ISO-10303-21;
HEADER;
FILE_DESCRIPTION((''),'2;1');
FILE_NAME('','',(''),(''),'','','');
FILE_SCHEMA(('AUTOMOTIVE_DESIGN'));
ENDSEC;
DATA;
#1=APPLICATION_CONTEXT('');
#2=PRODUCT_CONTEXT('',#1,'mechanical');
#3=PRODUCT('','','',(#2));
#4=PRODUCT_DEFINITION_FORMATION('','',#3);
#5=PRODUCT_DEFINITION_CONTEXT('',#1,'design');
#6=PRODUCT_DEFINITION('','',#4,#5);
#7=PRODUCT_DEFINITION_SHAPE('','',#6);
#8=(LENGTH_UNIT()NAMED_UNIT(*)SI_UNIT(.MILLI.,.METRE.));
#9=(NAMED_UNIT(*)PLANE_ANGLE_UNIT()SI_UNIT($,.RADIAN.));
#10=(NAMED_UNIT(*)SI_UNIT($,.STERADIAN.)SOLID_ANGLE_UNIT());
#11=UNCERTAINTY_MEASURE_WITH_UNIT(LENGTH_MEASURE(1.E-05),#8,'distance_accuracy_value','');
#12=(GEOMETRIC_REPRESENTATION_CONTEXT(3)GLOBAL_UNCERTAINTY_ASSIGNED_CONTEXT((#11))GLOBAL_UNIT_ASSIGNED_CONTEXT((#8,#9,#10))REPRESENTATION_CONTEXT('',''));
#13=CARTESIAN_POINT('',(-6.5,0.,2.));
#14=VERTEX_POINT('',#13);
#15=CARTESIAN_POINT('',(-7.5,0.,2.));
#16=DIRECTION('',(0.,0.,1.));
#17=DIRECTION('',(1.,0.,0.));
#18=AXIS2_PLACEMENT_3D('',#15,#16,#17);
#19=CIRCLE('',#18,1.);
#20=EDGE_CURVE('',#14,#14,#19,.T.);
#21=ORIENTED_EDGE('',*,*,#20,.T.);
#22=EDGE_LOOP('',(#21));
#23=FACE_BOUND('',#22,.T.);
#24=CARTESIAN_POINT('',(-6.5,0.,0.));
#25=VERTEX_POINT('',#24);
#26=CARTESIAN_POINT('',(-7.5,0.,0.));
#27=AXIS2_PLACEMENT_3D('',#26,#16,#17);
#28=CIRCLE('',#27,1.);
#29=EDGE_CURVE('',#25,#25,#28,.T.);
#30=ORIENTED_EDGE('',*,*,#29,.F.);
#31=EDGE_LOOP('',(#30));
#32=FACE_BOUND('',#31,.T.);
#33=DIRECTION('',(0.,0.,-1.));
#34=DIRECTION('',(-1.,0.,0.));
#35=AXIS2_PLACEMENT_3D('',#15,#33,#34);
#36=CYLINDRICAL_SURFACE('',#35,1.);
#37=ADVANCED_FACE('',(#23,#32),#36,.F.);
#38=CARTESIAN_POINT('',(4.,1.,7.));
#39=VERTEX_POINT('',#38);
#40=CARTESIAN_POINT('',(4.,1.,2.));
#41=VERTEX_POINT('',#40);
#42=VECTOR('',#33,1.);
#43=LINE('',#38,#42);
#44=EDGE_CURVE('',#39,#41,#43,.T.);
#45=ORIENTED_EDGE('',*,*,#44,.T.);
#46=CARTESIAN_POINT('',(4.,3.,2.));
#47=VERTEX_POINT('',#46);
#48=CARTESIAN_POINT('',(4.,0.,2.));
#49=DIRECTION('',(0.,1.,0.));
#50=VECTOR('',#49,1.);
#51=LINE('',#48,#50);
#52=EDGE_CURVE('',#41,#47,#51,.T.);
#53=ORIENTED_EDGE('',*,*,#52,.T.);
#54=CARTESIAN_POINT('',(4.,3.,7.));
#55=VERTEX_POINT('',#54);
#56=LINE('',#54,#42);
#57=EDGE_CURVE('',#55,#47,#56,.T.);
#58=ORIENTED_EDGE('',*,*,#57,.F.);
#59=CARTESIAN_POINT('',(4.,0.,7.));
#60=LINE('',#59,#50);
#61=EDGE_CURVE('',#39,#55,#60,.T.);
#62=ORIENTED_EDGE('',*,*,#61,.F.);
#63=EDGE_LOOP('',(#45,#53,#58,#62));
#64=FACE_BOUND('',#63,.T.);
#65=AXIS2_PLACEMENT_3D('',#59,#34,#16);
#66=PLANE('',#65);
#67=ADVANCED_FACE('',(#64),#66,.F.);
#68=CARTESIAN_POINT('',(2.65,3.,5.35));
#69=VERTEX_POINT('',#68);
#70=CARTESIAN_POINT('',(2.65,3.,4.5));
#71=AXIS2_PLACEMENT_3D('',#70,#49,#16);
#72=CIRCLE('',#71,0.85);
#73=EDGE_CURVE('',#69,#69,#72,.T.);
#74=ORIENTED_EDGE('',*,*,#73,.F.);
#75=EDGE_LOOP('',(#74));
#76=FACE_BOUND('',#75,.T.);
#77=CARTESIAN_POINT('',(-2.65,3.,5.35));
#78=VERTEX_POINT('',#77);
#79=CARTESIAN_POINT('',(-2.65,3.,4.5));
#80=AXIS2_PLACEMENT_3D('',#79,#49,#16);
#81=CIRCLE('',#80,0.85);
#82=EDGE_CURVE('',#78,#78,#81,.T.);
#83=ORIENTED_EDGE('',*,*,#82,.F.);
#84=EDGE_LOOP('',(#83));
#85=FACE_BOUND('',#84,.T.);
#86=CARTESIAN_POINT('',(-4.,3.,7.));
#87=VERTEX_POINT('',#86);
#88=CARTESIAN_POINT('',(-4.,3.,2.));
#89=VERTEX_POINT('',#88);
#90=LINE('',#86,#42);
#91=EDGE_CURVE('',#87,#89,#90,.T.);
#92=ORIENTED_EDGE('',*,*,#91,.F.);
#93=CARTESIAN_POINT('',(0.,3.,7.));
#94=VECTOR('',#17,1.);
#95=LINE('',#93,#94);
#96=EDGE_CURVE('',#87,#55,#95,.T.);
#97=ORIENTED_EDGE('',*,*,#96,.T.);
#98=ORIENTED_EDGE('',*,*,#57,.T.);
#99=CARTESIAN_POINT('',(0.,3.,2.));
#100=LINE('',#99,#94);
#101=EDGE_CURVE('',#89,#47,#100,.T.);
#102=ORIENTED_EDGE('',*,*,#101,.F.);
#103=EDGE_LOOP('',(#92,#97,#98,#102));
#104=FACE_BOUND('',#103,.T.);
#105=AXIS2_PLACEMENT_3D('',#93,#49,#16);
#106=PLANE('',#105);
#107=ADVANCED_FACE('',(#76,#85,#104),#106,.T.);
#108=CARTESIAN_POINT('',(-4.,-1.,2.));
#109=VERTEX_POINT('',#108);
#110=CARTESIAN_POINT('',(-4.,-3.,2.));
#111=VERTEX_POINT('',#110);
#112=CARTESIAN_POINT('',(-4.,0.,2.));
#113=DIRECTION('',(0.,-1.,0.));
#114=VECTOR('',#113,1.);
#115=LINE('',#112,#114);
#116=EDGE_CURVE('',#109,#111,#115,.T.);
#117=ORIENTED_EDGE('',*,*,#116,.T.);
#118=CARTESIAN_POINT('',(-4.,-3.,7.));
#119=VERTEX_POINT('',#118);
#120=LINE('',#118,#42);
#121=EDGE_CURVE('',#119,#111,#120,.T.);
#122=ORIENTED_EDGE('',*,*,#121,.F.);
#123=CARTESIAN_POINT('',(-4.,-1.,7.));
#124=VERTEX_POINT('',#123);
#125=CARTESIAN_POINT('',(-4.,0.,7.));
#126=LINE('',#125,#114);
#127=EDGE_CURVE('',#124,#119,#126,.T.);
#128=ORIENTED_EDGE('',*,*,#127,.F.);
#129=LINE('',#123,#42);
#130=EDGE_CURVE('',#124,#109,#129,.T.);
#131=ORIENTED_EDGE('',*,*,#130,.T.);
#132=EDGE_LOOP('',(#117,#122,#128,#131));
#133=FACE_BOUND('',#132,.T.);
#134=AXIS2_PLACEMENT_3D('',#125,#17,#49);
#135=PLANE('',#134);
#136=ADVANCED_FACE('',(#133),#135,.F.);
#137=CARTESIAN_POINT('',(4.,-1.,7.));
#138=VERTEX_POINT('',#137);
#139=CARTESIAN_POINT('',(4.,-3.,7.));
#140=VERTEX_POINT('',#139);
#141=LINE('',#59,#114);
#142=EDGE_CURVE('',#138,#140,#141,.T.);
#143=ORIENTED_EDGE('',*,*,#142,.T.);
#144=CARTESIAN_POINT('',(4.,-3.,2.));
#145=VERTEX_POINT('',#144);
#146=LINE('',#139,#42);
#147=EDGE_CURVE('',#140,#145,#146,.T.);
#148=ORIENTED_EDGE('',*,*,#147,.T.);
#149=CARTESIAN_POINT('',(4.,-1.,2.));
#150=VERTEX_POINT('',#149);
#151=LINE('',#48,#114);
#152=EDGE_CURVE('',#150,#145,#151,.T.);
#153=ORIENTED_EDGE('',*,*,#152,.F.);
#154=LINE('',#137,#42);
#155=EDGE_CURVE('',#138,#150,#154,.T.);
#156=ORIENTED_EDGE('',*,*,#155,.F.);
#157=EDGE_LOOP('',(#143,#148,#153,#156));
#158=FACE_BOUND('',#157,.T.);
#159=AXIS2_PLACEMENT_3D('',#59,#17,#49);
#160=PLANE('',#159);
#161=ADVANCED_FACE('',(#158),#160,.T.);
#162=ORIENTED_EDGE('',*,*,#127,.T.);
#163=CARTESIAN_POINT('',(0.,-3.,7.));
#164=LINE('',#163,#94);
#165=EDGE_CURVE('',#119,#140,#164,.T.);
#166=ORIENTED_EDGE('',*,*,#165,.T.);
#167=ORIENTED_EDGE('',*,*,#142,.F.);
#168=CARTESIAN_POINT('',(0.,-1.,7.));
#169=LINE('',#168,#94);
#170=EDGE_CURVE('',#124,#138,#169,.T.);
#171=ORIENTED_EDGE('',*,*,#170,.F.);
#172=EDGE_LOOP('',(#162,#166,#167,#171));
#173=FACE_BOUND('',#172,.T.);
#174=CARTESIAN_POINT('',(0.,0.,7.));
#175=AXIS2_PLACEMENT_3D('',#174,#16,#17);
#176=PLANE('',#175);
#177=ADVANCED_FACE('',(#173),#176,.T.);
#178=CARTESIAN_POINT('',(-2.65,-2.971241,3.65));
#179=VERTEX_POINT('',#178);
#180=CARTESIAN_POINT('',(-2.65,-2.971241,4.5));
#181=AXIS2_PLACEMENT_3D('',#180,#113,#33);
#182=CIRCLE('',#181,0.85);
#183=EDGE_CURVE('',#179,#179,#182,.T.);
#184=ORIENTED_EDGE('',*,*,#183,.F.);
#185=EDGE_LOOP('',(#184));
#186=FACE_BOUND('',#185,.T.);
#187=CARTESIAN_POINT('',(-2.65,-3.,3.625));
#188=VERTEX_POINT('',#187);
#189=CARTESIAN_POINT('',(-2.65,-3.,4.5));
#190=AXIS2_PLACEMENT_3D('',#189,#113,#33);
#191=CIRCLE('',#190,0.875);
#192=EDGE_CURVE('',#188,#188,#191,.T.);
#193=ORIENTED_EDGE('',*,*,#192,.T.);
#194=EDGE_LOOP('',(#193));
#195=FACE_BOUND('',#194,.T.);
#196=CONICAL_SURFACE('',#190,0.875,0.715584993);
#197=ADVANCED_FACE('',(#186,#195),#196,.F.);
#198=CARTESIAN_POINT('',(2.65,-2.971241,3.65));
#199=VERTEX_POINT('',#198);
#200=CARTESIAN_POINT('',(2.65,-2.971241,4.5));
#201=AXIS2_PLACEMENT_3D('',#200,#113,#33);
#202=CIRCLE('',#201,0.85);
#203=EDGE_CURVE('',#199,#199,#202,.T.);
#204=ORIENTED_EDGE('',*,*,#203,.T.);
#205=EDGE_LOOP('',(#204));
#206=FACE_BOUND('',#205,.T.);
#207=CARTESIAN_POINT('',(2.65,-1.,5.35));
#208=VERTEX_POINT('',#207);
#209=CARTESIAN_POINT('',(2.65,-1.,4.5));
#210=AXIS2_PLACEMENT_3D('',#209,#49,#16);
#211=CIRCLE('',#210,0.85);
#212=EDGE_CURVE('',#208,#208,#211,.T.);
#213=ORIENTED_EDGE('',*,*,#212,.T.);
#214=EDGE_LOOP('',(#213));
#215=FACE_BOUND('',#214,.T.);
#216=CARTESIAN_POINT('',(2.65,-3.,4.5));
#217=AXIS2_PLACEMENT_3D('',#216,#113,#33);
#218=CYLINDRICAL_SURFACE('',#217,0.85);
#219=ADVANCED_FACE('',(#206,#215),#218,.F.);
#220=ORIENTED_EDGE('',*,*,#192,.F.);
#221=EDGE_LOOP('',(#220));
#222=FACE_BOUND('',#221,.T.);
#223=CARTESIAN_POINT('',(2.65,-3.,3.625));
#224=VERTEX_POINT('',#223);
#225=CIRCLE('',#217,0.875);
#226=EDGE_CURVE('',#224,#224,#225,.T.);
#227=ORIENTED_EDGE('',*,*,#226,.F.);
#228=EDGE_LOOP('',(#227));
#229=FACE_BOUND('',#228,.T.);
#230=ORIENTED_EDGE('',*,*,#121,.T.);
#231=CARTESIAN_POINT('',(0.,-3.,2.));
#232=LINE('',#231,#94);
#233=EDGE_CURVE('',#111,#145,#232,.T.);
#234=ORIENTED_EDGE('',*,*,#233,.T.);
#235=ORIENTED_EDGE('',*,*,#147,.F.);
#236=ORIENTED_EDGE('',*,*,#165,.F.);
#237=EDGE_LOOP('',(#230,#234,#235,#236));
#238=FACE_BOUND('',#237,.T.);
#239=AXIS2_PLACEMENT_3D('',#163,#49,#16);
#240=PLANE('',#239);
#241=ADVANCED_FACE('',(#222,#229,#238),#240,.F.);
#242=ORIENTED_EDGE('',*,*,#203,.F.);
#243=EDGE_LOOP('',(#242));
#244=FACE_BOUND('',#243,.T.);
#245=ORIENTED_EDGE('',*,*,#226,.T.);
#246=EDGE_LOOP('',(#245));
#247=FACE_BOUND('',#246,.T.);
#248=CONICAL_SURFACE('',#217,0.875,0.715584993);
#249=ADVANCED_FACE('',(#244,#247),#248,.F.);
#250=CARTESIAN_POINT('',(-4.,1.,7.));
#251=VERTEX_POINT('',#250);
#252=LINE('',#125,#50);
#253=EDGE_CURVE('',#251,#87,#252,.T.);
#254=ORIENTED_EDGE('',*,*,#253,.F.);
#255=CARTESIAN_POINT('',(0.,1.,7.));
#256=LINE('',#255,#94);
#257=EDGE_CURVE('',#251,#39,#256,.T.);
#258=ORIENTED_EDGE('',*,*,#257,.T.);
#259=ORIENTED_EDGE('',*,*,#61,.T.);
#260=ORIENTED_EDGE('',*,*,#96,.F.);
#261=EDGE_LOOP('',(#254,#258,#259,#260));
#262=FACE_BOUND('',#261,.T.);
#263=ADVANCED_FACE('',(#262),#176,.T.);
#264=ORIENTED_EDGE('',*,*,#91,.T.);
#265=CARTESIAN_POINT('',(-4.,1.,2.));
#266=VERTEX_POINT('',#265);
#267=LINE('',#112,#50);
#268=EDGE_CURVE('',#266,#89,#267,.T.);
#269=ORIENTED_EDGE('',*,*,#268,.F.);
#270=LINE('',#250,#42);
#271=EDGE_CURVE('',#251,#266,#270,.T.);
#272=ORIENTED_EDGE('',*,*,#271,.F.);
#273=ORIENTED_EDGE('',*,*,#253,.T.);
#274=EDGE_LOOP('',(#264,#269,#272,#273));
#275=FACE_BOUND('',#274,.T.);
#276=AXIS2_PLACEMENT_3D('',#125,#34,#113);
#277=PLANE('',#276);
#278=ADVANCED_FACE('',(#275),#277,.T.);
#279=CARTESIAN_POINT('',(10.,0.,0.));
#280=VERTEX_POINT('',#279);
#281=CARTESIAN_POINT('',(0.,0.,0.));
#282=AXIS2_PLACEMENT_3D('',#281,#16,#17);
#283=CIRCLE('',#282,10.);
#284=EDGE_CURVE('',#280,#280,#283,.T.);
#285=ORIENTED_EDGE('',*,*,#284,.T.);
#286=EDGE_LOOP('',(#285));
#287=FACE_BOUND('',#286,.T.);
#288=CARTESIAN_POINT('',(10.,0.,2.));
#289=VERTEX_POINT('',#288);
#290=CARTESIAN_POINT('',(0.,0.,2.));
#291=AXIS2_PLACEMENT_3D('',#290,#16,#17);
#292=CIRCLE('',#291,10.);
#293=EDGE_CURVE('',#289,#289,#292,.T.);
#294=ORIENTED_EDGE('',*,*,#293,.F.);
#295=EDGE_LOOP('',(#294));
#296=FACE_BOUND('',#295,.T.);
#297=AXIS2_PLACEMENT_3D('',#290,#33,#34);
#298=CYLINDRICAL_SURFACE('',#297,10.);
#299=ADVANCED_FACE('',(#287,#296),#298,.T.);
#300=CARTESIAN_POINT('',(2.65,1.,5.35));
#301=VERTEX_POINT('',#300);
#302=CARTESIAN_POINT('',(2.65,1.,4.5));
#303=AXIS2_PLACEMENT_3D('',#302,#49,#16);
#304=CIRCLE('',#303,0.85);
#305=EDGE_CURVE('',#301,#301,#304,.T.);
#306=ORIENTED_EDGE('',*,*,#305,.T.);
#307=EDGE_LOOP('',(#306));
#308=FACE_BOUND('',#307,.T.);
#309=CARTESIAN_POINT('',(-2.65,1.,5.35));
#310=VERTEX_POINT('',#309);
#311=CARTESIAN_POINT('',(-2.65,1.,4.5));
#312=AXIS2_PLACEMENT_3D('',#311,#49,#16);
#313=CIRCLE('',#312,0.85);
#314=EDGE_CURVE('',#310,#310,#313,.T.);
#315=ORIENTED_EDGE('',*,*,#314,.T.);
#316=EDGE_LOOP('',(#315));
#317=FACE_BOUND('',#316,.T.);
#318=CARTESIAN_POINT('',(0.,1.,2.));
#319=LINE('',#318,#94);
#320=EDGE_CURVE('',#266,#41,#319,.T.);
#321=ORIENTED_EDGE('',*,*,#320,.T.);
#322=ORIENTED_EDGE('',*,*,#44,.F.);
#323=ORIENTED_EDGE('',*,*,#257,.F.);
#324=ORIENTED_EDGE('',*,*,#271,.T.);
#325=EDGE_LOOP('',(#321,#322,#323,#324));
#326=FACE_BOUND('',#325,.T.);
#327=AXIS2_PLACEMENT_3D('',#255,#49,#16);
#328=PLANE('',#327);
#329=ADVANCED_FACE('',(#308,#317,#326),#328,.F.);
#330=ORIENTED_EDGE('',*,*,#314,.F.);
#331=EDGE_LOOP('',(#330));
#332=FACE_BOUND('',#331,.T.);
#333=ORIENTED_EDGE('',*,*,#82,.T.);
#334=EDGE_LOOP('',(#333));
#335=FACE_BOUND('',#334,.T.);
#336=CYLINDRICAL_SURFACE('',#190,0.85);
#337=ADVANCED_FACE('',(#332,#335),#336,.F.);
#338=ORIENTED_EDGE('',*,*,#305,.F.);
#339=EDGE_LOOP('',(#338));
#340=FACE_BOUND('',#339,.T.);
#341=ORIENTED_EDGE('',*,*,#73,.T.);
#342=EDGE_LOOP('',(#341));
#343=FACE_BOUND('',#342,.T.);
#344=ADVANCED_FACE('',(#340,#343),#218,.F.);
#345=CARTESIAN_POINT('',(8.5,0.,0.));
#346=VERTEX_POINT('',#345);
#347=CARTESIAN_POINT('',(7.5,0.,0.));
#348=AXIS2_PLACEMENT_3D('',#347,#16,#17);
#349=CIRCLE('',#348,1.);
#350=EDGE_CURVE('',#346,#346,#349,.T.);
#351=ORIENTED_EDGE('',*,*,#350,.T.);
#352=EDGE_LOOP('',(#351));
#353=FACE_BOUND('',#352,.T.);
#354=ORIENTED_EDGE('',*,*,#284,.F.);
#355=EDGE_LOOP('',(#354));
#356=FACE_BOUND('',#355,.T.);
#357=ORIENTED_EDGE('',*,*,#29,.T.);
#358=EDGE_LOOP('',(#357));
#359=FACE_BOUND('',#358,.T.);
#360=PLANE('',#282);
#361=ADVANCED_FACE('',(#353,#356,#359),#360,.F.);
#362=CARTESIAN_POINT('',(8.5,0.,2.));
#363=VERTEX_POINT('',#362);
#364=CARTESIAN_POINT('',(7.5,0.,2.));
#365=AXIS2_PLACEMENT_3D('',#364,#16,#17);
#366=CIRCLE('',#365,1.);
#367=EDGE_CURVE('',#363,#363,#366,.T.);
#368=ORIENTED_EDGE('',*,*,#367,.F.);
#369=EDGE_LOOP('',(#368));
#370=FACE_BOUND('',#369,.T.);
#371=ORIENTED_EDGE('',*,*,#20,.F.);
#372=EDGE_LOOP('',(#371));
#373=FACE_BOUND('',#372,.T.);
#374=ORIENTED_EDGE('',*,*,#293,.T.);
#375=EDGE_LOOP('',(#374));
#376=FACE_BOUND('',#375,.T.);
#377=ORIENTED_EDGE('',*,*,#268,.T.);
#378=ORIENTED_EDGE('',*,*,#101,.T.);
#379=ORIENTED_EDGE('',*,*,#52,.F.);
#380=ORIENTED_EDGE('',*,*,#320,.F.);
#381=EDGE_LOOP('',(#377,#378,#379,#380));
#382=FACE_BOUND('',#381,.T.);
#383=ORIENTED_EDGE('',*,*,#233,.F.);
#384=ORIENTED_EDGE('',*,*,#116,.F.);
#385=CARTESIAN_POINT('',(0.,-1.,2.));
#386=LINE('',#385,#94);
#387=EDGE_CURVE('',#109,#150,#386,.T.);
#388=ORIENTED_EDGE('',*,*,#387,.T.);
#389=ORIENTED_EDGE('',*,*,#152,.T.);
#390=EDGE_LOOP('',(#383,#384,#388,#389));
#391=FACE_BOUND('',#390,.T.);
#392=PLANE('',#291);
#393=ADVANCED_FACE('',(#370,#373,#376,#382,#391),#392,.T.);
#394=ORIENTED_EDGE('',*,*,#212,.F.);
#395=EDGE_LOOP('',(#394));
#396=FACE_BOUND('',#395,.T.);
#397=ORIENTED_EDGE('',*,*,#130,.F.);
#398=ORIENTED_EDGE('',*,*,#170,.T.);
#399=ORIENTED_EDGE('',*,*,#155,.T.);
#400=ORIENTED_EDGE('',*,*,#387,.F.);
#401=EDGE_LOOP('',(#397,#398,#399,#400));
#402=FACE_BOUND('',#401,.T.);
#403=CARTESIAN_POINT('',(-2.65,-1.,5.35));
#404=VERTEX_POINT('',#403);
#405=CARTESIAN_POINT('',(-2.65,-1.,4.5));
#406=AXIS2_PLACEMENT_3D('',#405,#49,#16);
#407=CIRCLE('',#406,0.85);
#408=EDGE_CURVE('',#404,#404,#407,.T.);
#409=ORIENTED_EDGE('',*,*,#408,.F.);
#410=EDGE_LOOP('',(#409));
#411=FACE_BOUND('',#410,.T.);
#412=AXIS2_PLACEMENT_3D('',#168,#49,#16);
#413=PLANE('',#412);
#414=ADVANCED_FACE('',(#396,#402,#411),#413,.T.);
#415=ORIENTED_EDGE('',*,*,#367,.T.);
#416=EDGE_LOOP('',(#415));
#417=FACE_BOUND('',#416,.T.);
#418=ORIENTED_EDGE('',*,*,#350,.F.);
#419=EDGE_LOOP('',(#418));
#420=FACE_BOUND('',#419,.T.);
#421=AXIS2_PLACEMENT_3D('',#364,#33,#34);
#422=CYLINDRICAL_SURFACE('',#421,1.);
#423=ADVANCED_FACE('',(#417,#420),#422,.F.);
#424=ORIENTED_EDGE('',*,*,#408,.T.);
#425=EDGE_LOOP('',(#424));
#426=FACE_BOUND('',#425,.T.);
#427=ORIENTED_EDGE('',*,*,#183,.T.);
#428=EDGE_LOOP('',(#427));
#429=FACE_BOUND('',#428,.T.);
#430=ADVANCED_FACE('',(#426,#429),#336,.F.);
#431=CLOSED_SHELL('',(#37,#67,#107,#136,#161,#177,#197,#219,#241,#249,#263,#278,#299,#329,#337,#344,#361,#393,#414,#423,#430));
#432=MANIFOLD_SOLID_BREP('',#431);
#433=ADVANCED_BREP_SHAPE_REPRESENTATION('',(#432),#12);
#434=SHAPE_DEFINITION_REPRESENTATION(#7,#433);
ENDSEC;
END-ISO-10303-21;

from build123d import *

# Parameters (mm, degrees)
CROQUIS1_R                               = 10
CROQUIS1_R_2                             = 1
SALIENTE_EXTRUIR1_DEPTH                  = 2
CROQUIS2_W                               = 8
CROQUIS2_H                               = 2
SALIENTE_EXTRUIR2_DEPTH                  = 5
TALADRO_DE_MARGEN_PARA_M1_61_D           = 1.7
TALADRO_DE_MARGEN_PARA_M1_61_CSINK_D     = 1.75
TALADRO_DE_MARGEN_PARA_M1_61_CSINK_ANGLE = 82


with BuildPart() as part:
    # Croquis1 → Saliente-Extruir1 (new body)
    with BuildSketch(Plane.XY):
        Circle(CROQUIS1_R)
        with Locations((-7.5, 0)):
            Circle(CROQUIS1_R_2, mode=Mode.SUBTRACT)
        with Locations((7.5, 0)):
            Circle(CROQUIS1_R_2, mode=Mode.SUBTRACT)
    extrude(amount=SALIENTE_EXTRUIR1_DEPTH)

    # Croquis2 → Saliente-Extruir2 (add)
    with BuildSketch(Plane.XY.offset(2)):
        with Locations((0, 2)):
            Rectangle(CROQUIS2_W, CROQUIS2_H)
        with Locations((0, -2)):
            Rectangle(CROQUIS2_W, CROQUIS2_H)
    extrude(amount=SALIENTE_EXTRUIR2_DEPTH)

    # Taladro de margen para M1.61 (through all)
    with Locations(Plane(origin=(0, -3, 0), x_dir=(-1, 0, 0), z_dir=(0, -1, 0))):
        with Locations((-2.65, -4.5), (2.65, -4.5)):
            CounterSinkHole(TALADRO_DE_MARGEN_PARA_M1_61_D / 2, TALADRO_DE_MARGEN_PARA_M1_61_CSINK_D / 2, counter_sink_angle=TALADRO_DE_MARGEN_PARA_M1_61_CSINK_ANGLE)


solid = part.part
